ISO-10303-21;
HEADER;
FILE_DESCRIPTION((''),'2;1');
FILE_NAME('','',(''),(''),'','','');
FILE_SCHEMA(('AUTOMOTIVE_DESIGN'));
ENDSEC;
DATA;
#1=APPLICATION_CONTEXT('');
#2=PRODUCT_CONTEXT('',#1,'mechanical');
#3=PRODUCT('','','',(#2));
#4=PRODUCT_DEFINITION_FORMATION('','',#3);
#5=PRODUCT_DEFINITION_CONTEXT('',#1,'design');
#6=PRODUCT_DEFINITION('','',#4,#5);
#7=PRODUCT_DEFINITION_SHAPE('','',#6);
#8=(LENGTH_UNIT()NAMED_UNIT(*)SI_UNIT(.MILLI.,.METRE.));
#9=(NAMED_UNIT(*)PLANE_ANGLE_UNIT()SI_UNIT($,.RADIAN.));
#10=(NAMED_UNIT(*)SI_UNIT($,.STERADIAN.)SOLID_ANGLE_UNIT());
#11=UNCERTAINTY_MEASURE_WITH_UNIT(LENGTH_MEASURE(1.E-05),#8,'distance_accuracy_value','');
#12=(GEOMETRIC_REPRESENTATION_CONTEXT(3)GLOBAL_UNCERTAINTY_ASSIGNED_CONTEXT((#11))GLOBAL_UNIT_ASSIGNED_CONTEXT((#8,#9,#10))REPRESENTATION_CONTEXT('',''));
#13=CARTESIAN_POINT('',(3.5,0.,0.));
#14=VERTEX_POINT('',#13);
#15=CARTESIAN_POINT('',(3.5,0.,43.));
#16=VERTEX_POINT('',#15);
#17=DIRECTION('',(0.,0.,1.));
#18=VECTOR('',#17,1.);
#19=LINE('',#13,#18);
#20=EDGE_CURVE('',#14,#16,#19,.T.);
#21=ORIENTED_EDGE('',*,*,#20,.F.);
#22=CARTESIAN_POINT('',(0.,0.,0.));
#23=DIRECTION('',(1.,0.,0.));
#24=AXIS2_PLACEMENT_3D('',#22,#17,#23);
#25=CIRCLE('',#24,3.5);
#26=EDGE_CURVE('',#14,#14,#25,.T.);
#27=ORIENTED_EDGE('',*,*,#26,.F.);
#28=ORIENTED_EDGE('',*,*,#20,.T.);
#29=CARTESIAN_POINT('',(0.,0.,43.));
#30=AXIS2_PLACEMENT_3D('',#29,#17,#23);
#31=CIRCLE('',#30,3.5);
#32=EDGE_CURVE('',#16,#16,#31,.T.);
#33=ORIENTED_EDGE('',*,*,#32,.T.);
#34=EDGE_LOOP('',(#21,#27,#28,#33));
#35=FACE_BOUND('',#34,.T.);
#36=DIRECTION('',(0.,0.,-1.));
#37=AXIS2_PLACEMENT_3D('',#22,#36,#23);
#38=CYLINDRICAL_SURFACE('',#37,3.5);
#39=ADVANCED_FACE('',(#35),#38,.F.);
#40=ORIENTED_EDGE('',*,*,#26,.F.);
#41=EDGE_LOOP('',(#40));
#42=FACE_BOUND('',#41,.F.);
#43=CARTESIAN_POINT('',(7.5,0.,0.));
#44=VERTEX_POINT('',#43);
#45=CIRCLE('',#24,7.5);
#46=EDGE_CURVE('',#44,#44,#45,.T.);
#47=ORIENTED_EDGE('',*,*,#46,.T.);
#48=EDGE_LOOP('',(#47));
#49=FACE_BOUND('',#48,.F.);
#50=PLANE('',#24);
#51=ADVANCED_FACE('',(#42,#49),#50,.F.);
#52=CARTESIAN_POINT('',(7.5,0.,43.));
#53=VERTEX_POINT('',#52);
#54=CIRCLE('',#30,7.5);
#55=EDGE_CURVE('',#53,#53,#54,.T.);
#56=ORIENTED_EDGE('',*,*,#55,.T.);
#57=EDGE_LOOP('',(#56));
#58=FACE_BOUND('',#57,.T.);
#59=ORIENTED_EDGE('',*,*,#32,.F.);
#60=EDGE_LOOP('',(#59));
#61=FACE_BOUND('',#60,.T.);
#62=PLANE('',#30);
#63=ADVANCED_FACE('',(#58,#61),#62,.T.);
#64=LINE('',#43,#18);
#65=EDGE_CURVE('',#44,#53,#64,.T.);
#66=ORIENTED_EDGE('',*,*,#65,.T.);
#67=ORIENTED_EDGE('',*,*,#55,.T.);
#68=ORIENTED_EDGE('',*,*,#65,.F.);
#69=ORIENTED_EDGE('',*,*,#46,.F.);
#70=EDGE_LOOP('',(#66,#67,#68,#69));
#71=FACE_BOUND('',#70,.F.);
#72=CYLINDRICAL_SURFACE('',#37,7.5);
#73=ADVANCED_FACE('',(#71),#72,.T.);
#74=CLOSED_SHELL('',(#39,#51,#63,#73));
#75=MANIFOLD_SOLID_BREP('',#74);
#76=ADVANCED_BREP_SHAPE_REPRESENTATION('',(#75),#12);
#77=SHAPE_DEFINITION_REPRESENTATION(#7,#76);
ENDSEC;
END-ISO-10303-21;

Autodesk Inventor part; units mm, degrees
ref_plane "YZ Plane" through (0, 0, 0) normal (1, 0, 0) x (0, 1, 0)
ref_plane "XZ Plane" through (0, 0, 0) normal (0, 1, 0) x (-1, 0, 0)
ref_plane "XY Plane" through (0, 0, 0) normal (0, 0, 1) x (1, 0, 0)
sketch "Sketch1" plane through (0, 0, 0) normal (0, 0, 1) x (1, 0, 0)
  circle A0 centre (0, 0) radius 7.5
  circle A1 centre (0, 0) radius 3.5
  dimension "d0" = 15
  dimension "d1" = 7
extrude "Extrusion1" add sketch "Sketch1" along normal blind 43
properties part number "Team29_Roller"
